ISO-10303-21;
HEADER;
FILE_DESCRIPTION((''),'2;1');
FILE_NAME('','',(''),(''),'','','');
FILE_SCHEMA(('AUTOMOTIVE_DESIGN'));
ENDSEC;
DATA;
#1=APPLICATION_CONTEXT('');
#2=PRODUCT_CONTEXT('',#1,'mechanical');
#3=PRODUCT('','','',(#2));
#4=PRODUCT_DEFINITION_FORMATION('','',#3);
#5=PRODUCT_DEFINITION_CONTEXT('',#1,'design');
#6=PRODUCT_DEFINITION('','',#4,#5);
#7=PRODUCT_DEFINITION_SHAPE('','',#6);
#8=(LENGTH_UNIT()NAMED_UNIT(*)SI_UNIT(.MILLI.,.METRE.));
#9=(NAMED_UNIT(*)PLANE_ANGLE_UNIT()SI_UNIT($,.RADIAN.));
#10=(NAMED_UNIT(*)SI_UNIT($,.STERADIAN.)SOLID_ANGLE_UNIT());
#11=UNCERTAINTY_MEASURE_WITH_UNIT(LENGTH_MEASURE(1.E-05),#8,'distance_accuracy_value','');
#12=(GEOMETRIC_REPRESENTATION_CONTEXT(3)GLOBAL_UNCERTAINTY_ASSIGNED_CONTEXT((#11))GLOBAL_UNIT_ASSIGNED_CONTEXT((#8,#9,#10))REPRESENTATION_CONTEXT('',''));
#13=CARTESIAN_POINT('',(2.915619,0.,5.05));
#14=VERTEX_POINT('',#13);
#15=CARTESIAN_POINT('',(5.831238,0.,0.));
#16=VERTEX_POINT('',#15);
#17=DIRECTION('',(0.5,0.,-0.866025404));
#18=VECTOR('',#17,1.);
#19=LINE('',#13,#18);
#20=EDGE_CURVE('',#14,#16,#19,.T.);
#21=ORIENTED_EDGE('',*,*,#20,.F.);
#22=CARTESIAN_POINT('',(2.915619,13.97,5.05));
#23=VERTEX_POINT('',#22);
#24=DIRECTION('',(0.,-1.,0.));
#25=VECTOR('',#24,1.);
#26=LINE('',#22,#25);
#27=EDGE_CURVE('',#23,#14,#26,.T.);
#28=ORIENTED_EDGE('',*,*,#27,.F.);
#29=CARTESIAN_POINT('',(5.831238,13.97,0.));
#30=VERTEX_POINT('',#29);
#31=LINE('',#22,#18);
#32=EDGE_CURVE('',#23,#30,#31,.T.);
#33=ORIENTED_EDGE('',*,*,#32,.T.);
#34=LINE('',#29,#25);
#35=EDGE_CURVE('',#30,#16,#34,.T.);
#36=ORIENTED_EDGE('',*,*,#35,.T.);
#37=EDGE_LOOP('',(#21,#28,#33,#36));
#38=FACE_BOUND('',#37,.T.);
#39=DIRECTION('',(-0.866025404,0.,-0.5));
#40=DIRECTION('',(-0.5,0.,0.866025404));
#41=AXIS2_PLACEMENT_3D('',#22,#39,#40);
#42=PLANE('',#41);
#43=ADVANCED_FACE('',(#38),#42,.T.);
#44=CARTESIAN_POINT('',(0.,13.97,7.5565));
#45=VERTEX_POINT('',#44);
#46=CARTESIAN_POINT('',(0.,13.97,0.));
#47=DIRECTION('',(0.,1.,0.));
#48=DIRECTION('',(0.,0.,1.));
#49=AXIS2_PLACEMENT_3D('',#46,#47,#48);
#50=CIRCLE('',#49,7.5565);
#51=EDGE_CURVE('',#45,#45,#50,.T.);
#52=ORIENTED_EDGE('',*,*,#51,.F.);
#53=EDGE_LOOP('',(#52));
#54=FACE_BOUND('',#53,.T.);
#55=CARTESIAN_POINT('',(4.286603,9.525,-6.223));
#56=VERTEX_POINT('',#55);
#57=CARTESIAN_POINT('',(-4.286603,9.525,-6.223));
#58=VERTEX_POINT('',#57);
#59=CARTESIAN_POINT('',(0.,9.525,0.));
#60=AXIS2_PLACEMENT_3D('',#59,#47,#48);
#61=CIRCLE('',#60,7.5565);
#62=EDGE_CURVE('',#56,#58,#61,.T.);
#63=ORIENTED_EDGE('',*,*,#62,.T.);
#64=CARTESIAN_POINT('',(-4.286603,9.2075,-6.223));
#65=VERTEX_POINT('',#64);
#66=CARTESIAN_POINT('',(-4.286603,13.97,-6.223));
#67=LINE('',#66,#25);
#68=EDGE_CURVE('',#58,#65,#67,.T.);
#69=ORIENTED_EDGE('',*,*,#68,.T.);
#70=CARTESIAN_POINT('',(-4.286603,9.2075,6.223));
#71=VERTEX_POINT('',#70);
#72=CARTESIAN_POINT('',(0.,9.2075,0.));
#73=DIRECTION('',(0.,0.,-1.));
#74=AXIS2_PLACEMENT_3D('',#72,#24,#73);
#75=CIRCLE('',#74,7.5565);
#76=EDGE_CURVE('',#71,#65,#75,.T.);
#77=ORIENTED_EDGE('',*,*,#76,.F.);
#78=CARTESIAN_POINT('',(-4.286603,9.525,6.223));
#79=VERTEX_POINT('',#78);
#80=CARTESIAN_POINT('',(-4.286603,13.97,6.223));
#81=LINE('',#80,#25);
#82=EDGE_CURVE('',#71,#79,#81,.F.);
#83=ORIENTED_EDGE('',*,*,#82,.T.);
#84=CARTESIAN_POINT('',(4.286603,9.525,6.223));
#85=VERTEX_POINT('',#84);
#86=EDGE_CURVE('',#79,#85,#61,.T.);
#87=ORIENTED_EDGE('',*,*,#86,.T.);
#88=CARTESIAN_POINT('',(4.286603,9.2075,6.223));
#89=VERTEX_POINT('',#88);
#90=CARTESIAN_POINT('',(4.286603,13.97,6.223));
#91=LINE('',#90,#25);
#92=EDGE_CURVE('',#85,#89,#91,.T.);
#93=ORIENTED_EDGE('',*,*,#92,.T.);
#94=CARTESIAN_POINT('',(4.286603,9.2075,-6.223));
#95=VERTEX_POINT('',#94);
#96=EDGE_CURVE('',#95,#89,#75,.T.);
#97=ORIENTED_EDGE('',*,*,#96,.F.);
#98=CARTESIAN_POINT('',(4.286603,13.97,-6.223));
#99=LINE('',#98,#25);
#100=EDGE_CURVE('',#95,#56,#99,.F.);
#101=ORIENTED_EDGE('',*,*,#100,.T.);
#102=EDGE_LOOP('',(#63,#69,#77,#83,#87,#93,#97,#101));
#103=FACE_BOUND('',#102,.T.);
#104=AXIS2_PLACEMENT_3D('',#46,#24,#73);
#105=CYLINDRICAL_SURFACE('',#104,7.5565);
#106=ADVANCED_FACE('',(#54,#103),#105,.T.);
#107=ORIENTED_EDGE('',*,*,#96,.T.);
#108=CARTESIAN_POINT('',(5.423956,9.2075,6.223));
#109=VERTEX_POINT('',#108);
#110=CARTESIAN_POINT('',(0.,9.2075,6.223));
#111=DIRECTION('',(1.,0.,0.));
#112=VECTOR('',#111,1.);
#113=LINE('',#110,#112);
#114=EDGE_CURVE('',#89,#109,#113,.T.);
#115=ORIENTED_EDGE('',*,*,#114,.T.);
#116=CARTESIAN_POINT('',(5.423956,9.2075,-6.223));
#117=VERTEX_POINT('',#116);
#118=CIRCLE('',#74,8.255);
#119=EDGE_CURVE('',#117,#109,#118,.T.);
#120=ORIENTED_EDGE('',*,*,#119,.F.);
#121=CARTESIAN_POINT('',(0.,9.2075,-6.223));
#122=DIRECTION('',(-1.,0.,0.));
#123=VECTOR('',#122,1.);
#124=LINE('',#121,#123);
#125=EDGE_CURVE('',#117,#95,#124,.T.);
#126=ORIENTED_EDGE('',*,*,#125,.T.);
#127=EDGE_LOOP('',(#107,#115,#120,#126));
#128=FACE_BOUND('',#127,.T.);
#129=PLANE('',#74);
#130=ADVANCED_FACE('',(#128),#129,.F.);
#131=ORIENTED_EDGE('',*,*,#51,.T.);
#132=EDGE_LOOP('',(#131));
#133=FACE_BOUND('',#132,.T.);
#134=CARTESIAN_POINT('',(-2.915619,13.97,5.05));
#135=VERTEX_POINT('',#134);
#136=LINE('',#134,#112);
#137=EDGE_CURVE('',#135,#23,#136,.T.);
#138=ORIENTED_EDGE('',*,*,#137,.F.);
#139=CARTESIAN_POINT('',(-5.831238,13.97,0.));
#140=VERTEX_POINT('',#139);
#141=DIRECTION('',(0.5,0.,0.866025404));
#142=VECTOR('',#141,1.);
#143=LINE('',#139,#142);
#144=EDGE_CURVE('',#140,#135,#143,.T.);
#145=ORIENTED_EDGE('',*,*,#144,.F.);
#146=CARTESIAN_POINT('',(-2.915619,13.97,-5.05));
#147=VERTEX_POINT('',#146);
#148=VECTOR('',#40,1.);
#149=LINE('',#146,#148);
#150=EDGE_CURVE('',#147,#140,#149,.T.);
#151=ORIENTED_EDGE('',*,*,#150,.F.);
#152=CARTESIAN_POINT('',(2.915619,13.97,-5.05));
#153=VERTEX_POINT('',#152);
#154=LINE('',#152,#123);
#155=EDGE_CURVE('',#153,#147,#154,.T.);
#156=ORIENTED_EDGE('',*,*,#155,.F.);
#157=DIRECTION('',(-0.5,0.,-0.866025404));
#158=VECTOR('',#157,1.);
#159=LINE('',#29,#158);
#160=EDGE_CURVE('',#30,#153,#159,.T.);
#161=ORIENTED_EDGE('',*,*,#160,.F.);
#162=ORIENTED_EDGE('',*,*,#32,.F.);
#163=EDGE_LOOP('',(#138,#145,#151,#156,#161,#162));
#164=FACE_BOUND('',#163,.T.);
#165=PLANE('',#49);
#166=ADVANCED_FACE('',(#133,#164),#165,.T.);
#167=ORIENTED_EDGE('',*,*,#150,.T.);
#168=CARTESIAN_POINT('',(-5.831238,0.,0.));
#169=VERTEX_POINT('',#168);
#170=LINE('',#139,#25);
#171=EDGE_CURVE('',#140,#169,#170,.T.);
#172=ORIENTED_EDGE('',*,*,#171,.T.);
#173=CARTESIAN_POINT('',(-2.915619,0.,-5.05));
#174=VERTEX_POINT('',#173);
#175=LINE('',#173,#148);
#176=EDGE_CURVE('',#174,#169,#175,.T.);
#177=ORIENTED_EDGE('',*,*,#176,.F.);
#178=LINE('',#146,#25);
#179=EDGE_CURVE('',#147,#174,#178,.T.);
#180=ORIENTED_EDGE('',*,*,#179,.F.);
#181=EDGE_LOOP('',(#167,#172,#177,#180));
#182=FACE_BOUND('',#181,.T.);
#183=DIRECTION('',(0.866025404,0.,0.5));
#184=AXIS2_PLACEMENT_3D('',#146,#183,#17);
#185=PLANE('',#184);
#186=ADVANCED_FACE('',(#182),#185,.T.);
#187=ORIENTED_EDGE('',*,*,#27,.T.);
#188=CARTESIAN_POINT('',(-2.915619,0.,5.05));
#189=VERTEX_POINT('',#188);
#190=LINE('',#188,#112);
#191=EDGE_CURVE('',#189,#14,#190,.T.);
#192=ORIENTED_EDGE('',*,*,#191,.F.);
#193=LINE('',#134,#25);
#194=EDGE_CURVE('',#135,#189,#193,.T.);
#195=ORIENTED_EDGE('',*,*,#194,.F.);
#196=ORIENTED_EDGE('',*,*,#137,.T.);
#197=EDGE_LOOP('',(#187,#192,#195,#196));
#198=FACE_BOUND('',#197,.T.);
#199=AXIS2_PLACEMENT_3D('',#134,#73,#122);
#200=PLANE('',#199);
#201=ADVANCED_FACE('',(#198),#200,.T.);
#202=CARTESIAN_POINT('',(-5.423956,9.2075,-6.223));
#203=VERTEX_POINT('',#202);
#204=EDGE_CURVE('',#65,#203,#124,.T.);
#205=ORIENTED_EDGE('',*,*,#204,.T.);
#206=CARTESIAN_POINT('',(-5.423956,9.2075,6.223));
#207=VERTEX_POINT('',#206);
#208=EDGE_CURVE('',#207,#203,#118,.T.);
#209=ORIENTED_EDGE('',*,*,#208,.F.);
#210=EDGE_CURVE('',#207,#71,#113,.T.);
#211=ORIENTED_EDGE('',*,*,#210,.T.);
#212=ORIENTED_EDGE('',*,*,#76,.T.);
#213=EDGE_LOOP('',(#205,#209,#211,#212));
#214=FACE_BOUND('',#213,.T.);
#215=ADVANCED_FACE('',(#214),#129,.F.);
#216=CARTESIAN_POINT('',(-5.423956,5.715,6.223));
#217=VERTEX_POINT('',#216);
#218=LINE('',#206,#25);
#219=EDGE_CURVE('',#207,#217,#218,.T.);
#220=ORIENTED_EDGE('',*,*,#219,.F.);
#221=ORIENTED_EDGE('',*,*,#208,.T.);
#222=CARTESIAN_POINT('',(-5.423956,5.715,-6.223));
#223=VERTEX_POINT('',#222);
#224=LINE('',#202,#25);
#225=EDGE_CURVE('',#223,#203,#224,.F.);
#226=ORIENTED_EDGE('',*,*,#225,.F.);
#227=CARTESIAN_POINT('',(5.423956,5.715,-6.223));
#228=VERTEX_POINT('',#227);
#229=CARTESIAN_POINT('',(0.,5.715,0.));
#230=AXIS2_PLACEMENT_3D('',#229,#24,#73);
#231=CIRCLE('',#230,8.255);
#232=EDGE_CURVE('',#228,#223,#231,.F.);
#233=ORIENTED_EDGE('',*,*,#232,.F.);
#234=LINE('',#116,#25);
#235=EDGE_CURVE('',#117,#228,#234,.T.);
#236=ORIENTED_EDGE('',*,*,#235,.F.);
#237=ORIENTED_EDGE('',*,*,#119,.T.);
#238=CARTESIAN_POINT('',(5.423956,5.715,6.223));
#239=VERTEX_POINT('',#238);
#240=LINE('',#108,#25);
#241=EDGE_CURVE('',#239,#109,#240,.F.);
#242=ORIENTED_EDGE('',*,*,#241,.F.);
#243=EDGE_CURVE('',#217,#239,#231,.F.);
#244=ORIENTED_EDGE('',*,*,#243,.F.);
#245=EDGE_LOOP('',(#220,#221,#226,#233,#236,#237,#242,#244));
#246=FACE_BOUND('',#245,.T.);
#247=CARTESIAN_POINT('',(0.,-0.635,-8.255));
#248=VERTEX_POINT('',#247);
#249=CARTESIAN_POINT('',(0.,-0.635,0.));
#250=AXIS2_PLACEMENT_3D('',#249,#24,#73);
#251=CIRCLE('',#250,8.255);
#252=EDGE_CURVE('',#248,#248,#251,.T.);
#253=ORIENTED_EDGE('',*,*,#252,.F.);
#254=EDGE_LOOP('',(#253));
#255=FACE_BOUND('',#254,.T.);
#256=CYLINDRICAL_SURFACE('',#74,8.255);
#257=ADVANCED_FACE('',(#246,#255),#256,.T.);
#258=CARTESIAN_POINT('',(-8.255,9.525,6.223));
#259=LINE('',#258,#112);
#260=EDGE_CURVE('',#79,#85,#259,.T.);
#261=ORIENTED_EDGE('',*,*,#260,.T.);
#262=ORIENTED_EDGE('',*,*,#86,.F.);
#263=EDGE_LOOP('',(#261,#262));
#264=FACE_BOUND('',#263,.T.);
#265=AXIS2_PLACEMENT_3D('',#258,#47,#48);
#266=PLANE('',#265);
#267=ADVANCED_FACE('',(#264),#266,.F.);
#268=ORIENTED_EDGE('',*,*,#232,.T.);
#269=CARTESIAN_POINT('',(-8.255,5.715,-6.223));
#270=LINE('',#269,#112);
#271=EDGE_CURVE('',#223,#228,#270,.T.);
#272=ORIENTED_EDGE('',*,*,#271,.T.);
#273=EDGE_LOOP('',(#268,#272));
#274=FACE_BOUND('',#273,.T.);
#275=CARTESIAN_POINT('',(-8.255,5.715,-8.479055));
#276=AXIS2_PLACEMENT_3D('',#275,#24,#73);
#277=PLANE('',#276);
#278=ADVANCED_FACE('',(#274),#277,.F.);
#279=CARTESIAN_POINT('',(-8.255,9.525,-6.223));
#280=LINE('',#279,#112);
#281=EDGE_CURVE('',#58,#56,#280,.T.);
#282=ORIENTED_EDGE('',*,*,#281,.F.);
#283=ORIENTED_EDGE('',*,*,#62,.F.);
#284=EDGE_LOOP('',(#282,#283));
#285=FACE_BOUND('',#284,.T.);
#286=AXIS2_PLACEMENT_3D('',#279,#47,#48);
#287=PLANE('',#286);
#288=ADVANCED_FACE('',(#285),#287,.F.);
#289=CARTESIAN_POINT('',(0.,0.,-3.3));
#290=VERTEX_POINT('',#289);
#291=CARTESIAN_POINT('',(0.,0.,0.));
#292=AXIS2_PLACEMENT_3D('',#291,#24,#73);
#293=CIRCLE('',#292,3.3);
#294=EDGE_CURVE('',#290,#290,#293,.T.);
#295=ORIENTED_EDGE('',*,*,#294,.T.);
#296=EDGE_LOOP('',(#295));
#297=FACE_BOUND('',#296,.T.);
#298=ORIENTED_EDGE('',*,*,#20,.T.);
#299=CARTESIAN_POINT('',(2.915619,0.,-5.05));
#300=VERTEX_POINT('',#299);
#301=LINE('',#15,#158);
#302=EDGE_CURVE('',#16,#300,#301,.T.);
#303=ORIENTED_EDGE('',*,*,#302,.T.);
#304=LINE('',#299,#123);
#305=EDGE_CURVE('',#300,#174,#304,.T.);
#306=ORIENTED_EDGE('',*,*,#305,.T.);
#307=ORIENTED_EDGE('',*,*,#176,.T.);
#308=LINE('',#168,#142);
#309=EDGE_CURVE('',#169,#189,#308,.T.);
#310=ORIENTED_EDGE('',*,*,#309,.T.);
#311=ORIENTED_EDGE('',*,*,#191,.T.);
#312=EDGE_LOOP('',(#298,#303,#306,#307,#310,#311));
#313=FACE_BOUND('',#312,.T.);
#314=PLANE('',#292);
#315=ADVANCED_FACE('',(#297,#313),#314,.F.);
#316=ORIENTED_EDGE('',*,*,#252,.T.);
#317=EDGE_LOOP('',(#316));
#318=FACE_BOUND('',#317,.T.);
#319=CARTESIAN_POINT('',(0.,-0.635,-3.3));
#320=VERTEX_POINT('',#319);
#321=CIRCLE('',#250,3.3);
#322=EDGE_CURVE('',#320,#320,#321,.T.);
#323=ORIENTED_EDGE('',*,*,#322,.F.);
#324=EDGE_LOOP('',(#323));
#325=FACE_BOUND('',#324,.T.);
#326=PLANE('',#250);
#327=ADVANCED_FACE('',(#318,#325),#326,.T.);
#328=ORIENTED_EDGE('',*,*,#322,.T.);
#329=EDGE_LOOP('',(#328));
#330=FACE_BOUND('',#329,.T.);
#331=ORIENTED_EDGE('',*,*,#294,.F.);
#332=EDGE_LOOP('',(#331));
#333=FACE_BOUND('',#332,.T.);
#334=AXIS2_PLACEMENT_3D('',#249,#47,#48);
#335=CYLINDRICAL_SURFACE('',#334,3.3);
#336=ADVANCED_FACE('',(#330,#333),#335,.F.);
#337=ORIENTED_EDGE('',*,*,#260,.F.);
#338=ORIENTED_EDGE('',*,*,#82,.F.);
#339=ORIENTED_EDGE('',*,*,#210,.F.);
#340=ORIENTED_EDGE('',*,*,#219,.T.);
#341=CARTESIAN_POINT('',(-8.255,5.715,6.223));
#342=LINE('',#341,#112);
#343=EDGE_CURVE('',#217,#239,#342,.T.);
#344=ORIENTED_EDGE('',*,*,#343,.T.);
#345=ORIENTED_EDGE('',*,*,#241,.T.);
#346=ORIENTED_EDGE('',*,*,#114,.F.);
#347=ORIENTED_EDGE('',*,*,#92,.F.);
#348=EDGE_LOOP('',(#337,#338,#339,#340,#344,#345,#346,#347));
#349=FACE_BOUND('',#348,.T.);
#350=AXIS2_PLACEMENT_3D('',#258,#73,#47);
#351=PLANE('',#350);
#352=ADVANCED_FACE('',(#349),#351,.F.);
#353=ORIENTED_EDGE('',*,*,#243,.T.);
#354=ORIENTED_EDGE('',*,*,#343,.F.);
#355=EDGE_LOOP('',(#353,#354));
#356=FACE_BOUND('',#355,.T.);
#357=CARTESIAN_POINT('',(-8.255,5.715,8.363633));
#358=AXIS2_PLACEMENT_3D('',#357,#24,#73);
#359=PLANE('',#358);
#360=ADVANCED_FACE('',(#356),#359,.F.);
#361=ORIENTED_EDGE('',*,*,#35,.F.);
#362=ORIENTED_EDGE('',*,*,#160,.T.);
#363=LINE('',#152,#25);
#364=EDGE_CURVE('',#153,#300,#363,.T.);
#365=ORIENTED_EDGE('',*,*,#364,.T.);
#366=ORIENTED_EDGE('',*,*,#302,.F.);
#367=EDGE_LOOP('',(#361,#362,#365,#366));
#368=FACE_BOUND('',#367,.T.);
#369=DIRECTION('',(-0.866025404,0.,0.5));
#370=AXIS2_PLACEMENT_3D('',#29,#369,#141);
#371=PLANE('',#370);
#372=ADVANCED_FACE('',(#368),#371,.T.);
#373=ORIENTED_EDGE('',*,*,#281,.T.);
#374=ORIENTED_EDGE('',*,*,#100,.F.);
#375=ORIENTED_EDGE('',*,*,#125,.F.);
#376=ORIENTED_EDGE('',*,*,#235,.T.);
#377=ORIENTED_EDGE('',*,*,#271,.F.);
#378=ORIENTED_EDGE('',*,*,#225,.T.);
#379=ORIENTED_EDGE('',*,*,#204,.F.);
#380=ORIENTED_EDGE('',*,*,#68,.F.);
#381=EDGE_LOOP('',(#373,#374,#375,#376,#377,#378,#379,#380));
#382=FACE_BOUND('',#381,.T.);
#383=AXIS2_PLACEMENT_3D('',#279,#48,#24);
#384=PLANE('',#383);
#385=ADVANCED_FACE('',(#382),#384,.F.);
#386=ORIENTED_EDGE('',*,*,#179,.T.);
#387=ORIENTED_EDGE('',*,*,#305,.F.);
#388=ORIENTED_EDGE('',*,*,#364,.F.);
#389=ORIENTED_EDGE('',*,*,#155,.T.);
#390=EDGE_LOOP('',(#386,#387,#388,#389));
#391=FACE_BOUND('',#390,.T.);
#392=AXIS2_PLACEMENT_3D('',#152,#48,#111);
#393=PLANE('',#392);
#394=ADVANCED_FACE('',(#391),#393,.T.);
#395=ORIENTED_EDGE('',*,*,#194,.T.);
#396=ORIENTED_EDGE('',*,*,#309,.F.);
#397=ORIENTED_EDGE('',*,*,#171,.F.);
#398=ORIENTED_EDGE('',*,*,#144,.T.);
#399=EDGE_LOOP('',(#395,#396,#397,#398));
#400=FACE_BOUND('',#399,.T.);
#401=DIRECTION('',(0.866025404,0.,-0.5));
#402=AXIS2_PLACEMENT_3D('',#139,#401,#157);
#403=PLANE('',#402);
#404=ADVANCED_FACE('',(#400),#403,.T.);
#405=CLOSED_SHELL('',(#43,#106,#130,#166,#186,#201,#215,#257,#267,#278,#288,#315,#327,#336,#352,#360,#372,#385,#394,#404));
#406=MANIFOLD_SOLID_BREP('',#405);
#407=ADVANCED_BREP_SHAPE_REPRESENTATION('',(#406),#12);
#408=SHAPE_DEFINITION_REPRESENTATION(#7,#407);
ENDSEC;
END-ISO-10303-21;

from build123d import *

# Parameters (mm, degrees)
SKETCH1_R               = 7.5565
BOSS_EXTRUDE1_DEPTH     = 13.97
SKETCH2_R               = 7.5565
SKETCH2_R_2             = 3.3
BOSS_EXTRUDE2_DEPTH     = 0.635
SKETCH4_R               = 8.255
SKETCH4_R_2             = 7.5565
BOSS_EXTRUDE3_DEPTH     = 9.8425
SKETCH3_W               = 2.140633032
SKETCH3_H               = 3.81
SKETCH3_W_2             = 2.256055482
CUT_EXTRUDE1_DEPTH      = 9.255
CUT_EXTRUDE1_DEPTH_BACK = 9.255


with BuildPart() as part:
    # Sketch1 → Boss-Extrude1 (new body)
    with BuildSketch(Plane(origin=(0, 0, 0), x_dir=(1, 0, 0), z_dir=(0, 1, 0))):
        Circle(SKETCH1_R)
        Polygon((-2.915618859, 5.05), (-5.831237719, 0), (-2.915618859, -5.05), (2.915618859, -5.05), (5.831237719, 0), (2.915618859, 5.05), align=None, mode=Mode.SUBTRACT)
    extrude(amount=BOSS_EXTRUDE1_DEPTH)

    # Sketch2 → Boss-Extrude2 (add)
    with BuildSketch(Plane.XZ):
        Circle(SKETCH2_R)
        Circle(SKETCH2_R_2, mode=Mode.SUBTRACT)
    extrude(amount=BOSS_EXTRUDE2_DEPTH)

    # Sketch4 → Boss-Extrude3 (add)
    with BuildSketch(Plane.XZ.offset(0.635)):
        Circle(SKETCH4_R)
        Circle(SKETCH4_R_2, mode=Mode.SUBTRACT)
    extrude(amount=-BOSS_EXTRUDE3_DEPTH)

    # Sketch3 → Cut-Extrude1 (cut, two sides)
    with BuildSketch(Plane(origin=(0, 0, 0), x_dir=(0, 0, -1), z_dir=(1, 0, 0))) as cut_extrude1_sk:
        with Locations((-7.293316516, 7.62)):
            Rectangle(SKETCH3_W, SKETCH3_H)
        with Locations((7.351027741, 7.62)):
            Rectangle(SKETCH3_W_2, SKETCH3_H)
    extrude(amount=CUT_EXTRUDE1_DEPTH, mode=Mode.SUBTRACT)
    extrude(cut_extrude1_sk.sketch, amount=-CUT_EXTRUDE1_DEPTH_BACK, mode=Mode.SUBTRACT)


solid = part.part
